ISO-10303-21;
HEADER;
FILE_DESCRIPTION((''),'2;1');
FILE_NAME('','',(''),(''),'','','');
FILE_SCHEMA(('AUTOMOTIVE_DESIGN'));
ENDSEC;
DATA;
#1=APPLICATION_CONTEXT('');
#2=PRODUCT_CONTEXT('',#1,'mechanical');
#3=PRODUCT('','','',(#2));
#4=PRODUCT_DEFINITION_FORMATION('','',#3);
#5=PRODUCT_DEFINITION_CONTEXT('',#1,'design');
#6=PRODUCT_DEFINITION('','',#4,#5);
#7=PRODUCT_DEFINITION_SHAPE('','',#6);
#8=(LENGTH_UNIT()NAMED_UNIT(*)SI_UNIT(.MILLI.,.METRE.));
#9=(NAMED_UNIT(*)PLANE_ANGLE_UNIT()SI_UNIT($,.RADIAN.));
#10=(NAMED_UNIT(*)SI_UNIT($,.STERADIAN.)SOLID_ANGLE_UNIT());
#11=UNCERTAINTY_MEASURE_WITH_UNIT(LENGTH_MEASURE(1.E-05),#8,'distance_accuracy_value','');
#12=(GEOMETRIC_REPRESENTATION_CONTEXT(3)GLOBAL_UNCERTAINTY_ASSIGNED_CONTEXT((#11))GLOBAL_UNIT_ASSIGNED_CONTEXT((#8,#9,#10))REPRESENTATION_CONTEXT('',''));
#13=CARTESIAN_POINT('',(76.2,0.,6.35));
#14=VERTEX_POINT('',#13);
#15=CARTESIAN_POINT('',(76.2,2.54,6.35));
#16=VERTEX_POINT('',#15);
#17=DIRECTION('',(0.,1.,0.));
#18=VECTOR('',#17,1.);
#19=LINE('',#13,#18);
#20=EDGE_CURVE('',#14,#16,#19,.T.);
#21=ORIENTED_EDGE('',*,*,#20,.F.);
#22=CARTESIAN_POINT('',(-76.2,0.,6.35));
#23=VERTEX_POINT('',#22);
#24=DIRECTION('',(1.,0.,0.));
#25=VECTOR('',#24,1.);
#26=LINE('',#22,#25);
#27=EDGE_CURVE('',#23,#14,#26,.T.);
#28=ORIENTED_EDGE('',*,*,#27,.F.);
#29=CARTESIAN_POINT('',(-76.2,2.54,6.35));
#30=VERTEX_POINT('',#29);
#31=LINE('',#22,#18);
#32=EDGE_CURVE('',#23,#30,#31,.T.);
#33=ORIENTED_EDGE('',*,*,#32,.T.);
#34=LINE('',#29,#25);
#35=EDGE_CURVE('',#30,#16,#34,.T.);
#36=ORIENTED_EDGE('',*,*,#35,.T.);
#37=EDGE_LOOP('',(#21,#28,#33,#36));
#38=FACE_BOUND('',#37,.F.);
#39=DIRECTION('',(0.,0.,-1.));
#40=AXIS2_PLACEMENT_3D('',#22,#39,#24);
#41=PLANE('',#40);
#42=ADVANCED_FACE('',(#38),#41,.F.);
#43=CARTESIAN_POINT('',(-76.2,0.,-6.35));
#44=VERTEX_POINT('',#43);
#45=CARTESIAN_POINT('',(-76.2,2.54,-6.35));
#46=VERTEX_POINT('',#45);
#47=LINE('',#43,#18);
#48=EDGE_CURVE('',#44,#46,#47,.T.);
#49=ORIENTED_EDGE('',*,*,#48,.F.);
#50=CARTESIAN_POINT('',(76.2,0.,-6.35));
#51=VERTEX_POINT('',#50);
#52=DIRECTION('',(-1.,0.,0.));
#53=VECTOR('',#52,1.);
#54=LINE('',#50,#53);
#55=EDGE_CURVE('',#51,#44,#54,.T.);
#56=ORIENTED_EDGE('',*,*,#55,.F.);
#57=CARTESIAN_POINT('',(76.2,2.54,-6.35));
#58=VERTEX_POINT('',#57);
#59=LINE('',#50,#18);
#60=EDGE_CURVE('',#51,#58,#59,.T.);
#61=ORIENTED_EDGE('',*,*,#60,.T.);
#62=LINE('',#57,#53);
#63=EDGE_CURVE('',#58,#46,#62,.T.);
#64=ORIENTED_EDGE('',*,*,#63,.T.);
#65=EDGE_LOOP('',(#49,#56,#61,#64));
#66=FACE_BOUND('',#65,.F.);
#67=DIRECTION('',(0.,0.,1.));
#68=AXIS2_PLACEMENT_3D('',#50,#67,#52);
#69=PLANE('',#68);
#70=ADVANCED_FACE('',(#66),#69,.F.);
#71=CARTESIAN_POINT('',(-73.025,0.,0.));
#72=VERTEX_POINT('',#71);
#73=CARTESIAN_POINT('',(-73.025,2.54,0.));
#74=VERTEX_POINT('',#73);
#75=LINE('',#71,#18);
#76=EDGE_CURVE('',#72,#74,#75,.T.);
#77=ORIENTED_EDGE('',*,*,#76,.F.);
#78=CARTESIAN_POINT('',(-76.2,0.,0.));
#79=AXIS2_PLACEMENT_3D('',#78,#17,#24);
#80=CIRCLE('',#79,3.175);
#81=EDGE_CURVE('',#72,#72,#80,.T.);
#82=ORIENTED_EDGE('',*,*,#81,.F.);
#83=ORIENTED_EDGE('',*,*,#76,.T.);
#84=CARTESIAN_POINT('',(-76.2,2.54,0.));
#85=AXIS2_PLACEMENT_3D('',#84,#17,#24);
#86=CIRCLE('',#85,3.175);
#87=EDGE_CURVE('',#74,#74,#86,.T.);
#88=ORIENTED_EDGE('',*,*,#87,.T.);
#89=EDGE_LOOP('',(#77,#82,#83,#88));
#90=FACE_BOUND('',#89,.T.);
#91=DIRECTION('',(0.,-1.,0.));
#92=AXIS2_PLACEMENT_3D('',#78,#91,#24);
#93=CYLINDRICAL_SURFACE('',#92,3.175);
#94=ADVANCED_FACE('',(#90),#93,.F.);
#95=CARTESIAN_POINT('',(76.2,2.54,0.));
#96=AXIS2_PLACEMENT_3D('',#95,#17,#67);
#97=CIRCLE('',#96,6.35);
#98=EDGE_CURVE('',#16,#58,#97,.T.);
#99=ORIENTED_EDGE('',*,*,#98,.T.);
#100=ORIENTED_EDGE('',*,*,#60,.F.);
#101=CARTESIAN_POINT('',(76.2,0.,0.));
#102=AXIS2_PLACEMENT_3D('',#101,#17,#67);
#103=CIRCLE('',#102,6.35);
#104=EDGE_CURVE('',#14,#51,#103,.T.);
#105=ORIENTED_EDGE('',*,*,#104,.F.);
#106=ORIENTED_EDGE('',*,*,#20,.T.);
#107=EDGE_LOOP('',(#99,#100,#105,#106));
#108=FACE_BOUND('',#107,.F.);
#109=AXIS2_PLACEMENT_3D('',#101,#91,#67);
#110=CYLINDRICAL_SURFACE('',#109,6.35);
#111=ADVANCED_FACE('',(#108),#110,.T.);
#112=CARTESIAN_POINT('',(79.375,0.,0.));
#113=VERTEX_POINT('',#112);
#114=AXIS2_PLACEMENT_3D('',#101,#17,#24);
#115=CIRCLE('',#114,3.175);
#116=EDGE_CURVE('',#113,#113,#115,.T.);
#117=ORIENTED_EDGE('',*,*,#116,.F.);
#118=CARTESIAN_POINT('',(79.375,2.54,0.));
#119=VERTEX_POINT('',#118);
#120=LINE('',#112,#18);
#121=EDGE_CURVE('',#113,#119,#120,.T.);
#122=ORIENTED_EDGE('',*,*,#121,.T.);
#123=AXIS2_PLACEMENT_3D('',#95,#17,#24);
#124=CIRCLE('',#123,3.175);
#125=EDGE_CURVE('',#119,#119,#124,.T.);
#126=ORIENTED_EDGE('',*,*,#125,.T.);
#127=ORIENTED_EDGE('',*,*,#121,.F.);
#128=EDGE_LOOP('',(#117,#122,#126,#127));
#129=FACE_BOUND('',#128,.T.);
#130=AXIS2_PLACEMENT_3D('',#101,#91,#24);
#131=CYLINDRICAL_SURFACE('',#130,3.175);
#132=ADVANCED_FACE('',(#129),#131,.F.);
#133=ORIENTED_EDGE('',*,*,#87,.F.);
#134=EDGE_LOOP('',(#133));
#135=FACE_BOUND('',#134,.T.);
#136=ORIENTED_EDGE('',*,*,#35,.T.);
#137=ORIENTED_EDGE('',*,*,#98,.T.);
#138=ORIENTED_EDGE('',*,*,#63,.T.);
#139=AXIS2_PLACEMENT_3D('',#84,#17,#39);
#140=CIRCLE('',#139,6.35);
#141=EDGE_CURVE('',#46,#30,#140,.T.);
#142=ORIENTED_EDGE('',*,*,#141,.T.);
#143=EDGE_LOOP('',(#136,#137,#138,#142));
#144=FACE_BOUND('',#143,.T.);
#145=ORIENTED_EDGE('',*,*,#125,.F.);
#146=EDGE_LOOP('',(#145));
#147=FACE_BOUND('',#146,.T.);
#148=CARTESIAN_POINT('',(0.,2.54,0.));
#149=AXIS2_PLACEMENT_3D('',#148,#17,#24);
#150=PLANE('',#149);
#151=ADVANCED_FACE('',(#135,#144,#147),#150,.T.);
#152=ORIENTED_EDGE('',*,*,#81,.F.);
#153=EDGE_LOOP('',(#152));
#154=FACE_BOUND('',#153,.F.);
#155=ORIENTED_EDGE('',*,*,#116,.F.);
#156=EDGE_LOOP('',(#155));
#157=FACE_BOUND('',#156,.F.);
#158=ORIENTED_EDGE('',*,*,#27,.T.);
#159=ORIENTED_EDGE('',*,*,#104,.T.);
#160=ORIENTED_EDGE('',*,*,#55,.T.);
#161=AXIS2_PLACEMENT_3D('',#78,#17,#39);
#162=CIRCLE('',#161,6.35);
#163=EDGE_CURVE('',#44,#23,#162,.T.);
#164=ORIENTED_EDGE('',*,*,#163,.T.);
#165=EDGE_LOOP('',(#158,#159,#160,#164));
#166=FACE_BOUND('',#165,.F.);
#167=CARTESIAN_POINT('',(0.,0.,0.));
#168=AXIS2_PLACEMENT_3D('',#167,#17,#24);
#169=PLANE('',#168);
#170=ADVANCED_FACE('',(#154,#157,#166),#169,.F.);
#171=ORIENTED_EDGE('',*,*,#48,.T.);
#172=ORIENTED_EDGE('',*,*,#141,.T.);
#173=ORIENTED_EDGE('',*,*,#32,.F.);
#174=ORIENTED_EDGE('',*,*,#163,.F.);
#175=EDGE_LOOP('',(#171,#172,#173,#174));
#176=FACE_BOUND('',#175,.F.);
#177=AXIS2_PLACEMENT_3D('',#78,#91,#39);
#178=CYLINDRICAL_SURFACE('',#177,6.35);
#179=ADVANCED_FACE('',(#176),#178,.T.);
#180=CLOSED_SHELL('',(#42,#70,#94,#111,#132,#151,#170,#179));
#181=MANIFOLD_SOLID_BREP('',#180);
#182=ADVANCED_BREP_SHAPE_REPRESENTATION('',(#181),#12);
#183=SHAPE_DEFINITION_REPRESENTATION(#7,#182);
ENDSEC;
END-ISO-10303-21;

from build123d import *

# Parameters (mm, degrees)
SKETCH1_R           = 3.175
BOSS_EXTRUDE1_DEPTH = 2.54


with BuildPart() as part:
    # Sketch1 → Boss-Extrude1 (new body)
    with BuildSketch(Plane(origin=(0, 0, 0), x_dir=(1, 0, 0), z_dir=(0, 1, 0))):
        with BuildLine():
            Line((-76.2, -6.35), (76.2, -6.35))
            ThreePointArc((76.2, -6.35), (82.55, 0), (76.2, 6.35))
            Line((76.2, 6.35), (-76.2, 6.35))
            ThreePointArc((-76.2, 6.35), (-82.55, 0), (-76.2, -6.35))
        make_face()
        with Locations((-76.2, 0)):
            Circle(SKETCH1_R, mode=Mode.SUBTRACT)
        with Locations((76.2, 0)):
            Circle(SKETCH1_R, mode=Mode.SUBTRACT)
    extrude(amount=BOSS_EXTRUDE1_DEPTH)


solid = part.part
